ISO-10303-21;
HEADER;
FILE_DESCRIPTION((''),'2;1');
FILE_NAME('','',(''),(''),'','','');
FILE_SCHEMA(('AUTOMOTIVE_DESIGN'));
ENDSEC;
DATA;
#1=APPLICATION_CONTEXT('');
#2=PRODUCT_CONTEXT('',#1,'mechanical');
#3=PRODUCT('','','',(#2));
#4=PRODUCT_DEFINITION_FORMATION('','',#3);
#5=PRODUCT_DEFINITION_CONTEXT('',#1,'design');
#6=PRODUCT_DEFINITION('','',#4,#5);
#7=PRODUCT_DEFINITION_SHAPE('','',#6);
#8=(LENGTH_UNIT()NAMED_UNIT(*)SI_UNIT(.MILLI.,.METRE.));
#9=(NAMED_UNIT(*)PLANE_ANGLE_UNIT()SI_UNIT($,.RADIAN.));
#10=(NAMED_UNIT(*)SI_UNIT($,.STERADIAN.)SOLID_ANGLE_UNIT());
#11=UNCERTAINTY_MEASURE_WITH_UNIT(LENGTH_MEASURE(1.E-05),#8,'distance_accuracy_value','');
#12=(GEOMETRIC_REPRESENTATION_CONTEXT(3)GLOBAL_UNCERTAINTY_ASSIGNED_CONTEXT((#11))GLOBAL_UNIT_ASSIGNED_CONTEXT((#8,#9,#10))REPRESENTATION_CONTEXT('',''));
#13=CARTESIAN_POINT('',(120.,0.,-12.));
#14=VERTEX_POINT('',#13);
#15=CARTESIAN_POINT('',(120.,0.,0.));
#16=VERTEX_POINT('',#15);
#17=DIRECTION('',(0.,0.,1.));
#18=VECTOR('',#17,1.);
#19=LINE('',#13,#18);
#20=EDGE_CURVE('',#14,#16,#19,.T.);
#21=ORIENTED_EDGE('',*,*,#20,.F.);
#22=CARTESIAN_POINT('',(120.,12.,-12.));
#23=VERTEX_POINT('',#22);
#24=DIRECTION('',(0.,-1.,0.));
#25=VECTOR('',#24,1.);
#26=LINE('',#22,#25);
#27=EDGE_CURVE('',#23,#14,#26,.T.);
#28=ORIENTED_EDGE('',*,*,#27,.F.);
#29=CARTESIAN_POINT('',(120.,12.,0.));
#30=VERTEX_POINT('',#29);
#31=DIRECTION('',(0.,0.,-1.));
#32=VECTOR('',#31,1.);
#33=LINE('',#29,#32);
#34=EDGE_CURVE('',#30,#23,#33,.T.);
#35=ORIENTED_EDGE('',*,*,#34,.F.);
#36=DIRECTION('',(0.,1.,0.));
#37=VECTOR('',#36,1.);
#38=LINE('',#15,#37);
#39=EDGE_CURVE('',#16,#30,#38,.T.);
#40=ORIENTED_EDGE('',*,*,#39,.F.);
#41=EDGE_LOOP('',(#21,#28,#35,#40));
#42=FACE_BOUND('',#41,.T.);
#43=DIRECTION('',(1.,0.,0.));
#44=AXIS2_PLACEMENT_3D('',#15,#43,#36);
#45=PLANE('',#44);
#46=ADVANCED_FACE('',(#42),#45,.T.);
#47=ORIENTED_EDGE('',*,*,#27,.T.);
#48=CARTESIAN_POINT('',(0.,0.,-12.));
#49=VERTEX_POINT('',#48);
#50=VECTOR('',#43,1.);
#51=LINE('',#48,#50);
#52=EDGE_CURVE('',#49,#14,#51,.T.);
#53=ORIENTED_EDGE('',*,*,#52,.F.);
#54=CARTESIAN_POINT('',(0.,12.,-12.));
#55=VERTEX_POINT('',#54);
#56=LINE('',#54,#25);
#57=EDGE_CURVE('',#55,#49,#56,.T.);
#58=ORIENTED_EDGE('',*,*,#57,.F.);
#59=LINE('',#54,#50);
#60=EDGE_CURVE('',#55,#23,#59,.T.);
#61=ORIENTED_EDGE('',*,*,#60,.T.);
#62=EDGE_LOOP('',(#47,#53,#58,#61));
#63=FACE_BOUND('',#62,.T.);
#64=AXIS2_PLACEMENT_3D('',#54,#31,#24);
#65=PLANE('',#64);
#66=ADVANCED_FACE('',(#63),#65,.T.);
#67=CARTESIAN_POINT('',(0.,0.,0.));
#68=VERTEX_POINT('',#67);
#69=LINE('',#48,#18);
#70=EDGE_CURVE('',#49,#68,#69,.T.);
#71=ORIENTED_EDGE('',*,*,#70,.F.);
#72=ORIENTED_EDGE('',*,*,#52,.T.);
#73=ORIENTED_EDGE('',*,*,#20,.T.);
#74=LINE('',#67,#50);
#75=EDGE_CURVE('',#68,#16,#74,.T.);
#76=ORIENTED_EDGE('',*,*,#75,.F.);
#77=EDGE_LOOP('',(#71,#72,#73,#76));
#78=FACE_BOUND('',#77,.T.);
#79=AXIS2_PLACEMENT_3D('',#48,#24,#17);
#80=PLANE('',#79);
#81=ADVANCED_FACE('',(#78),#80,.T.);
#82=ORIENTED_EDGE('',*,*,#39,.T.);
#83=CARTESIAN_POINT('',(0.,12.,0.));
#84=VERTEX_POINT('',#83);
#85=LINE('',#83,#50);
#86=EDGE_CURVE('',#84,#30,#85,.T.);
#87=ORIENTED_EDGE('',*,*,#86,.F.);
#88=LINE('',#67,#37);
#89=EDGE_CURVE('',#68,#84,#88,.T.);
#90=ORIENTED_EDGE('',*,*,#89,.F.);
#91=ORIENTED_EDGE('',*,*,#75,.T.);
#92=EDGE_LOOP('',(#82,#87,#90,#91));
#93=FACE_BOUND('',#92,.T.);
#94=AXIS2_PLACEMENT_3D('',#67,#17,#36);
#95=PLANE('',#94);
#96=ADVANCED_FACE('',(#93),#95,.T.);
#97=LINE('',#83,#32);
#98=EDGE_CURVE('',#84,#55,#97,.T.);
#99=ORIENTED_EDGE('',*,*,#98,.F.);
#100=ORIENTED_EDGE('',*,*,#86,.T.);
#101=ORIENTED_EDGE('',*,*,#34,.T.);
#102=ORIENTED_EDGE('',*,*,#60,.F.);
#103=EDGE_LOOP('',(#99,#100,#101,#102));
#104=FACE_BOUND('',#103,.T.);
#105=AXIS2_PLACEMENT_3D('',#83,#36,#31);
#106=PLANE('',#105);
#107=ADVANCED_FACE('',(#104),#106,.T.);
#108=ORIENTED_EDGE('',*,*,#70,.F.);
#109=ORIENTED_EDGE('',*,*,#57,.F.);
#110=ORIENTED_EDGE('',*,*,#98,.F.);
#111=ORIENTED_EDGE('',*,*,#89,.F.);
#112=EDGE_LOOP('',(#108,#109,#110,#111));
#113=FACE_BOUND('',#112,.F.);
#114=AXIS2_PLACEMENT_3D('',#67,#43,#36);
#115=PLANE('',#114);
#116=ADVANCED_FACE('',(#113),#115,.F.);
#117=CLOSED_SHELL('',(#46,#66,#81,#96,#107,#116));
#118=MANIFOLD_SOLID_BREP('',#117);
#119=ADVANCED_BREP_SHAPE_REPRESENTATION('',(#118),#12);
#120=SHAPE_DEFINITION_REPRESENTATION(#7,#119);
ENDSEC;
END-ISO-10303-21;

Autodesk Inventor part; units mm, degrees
ref_plane "YZ Plane" through (0, 0, 0) normal (1, 0, 0) x (0, 1, 0)
ref_plane "XZ Plane" through (0, 0, 0) normal (0, 1, 0) x (-1, 0, 0)
ref_plane "XY Plane" through (0, 0, 0) normal (0, 0, 1) x (1, 0, 0)
sketch "Sketch1" plane through (0, 0, 0) normal (1, 0, 0) x (0, 1, 0)
  line L0 (0, 0) -> (12, 0)
  line L1 (12, 0) -> (12, -12)
  line L2 (12, -12) -> (0, -12)
  line L3 (0, -12) -> (0, 0)
  dimension "d0" = 12
  dimension "d1" = 12
extrude "Extrusion1" add sketch "Sketch1" along normal blind 120
properties part number "weight120" material "Stainless Steel"
